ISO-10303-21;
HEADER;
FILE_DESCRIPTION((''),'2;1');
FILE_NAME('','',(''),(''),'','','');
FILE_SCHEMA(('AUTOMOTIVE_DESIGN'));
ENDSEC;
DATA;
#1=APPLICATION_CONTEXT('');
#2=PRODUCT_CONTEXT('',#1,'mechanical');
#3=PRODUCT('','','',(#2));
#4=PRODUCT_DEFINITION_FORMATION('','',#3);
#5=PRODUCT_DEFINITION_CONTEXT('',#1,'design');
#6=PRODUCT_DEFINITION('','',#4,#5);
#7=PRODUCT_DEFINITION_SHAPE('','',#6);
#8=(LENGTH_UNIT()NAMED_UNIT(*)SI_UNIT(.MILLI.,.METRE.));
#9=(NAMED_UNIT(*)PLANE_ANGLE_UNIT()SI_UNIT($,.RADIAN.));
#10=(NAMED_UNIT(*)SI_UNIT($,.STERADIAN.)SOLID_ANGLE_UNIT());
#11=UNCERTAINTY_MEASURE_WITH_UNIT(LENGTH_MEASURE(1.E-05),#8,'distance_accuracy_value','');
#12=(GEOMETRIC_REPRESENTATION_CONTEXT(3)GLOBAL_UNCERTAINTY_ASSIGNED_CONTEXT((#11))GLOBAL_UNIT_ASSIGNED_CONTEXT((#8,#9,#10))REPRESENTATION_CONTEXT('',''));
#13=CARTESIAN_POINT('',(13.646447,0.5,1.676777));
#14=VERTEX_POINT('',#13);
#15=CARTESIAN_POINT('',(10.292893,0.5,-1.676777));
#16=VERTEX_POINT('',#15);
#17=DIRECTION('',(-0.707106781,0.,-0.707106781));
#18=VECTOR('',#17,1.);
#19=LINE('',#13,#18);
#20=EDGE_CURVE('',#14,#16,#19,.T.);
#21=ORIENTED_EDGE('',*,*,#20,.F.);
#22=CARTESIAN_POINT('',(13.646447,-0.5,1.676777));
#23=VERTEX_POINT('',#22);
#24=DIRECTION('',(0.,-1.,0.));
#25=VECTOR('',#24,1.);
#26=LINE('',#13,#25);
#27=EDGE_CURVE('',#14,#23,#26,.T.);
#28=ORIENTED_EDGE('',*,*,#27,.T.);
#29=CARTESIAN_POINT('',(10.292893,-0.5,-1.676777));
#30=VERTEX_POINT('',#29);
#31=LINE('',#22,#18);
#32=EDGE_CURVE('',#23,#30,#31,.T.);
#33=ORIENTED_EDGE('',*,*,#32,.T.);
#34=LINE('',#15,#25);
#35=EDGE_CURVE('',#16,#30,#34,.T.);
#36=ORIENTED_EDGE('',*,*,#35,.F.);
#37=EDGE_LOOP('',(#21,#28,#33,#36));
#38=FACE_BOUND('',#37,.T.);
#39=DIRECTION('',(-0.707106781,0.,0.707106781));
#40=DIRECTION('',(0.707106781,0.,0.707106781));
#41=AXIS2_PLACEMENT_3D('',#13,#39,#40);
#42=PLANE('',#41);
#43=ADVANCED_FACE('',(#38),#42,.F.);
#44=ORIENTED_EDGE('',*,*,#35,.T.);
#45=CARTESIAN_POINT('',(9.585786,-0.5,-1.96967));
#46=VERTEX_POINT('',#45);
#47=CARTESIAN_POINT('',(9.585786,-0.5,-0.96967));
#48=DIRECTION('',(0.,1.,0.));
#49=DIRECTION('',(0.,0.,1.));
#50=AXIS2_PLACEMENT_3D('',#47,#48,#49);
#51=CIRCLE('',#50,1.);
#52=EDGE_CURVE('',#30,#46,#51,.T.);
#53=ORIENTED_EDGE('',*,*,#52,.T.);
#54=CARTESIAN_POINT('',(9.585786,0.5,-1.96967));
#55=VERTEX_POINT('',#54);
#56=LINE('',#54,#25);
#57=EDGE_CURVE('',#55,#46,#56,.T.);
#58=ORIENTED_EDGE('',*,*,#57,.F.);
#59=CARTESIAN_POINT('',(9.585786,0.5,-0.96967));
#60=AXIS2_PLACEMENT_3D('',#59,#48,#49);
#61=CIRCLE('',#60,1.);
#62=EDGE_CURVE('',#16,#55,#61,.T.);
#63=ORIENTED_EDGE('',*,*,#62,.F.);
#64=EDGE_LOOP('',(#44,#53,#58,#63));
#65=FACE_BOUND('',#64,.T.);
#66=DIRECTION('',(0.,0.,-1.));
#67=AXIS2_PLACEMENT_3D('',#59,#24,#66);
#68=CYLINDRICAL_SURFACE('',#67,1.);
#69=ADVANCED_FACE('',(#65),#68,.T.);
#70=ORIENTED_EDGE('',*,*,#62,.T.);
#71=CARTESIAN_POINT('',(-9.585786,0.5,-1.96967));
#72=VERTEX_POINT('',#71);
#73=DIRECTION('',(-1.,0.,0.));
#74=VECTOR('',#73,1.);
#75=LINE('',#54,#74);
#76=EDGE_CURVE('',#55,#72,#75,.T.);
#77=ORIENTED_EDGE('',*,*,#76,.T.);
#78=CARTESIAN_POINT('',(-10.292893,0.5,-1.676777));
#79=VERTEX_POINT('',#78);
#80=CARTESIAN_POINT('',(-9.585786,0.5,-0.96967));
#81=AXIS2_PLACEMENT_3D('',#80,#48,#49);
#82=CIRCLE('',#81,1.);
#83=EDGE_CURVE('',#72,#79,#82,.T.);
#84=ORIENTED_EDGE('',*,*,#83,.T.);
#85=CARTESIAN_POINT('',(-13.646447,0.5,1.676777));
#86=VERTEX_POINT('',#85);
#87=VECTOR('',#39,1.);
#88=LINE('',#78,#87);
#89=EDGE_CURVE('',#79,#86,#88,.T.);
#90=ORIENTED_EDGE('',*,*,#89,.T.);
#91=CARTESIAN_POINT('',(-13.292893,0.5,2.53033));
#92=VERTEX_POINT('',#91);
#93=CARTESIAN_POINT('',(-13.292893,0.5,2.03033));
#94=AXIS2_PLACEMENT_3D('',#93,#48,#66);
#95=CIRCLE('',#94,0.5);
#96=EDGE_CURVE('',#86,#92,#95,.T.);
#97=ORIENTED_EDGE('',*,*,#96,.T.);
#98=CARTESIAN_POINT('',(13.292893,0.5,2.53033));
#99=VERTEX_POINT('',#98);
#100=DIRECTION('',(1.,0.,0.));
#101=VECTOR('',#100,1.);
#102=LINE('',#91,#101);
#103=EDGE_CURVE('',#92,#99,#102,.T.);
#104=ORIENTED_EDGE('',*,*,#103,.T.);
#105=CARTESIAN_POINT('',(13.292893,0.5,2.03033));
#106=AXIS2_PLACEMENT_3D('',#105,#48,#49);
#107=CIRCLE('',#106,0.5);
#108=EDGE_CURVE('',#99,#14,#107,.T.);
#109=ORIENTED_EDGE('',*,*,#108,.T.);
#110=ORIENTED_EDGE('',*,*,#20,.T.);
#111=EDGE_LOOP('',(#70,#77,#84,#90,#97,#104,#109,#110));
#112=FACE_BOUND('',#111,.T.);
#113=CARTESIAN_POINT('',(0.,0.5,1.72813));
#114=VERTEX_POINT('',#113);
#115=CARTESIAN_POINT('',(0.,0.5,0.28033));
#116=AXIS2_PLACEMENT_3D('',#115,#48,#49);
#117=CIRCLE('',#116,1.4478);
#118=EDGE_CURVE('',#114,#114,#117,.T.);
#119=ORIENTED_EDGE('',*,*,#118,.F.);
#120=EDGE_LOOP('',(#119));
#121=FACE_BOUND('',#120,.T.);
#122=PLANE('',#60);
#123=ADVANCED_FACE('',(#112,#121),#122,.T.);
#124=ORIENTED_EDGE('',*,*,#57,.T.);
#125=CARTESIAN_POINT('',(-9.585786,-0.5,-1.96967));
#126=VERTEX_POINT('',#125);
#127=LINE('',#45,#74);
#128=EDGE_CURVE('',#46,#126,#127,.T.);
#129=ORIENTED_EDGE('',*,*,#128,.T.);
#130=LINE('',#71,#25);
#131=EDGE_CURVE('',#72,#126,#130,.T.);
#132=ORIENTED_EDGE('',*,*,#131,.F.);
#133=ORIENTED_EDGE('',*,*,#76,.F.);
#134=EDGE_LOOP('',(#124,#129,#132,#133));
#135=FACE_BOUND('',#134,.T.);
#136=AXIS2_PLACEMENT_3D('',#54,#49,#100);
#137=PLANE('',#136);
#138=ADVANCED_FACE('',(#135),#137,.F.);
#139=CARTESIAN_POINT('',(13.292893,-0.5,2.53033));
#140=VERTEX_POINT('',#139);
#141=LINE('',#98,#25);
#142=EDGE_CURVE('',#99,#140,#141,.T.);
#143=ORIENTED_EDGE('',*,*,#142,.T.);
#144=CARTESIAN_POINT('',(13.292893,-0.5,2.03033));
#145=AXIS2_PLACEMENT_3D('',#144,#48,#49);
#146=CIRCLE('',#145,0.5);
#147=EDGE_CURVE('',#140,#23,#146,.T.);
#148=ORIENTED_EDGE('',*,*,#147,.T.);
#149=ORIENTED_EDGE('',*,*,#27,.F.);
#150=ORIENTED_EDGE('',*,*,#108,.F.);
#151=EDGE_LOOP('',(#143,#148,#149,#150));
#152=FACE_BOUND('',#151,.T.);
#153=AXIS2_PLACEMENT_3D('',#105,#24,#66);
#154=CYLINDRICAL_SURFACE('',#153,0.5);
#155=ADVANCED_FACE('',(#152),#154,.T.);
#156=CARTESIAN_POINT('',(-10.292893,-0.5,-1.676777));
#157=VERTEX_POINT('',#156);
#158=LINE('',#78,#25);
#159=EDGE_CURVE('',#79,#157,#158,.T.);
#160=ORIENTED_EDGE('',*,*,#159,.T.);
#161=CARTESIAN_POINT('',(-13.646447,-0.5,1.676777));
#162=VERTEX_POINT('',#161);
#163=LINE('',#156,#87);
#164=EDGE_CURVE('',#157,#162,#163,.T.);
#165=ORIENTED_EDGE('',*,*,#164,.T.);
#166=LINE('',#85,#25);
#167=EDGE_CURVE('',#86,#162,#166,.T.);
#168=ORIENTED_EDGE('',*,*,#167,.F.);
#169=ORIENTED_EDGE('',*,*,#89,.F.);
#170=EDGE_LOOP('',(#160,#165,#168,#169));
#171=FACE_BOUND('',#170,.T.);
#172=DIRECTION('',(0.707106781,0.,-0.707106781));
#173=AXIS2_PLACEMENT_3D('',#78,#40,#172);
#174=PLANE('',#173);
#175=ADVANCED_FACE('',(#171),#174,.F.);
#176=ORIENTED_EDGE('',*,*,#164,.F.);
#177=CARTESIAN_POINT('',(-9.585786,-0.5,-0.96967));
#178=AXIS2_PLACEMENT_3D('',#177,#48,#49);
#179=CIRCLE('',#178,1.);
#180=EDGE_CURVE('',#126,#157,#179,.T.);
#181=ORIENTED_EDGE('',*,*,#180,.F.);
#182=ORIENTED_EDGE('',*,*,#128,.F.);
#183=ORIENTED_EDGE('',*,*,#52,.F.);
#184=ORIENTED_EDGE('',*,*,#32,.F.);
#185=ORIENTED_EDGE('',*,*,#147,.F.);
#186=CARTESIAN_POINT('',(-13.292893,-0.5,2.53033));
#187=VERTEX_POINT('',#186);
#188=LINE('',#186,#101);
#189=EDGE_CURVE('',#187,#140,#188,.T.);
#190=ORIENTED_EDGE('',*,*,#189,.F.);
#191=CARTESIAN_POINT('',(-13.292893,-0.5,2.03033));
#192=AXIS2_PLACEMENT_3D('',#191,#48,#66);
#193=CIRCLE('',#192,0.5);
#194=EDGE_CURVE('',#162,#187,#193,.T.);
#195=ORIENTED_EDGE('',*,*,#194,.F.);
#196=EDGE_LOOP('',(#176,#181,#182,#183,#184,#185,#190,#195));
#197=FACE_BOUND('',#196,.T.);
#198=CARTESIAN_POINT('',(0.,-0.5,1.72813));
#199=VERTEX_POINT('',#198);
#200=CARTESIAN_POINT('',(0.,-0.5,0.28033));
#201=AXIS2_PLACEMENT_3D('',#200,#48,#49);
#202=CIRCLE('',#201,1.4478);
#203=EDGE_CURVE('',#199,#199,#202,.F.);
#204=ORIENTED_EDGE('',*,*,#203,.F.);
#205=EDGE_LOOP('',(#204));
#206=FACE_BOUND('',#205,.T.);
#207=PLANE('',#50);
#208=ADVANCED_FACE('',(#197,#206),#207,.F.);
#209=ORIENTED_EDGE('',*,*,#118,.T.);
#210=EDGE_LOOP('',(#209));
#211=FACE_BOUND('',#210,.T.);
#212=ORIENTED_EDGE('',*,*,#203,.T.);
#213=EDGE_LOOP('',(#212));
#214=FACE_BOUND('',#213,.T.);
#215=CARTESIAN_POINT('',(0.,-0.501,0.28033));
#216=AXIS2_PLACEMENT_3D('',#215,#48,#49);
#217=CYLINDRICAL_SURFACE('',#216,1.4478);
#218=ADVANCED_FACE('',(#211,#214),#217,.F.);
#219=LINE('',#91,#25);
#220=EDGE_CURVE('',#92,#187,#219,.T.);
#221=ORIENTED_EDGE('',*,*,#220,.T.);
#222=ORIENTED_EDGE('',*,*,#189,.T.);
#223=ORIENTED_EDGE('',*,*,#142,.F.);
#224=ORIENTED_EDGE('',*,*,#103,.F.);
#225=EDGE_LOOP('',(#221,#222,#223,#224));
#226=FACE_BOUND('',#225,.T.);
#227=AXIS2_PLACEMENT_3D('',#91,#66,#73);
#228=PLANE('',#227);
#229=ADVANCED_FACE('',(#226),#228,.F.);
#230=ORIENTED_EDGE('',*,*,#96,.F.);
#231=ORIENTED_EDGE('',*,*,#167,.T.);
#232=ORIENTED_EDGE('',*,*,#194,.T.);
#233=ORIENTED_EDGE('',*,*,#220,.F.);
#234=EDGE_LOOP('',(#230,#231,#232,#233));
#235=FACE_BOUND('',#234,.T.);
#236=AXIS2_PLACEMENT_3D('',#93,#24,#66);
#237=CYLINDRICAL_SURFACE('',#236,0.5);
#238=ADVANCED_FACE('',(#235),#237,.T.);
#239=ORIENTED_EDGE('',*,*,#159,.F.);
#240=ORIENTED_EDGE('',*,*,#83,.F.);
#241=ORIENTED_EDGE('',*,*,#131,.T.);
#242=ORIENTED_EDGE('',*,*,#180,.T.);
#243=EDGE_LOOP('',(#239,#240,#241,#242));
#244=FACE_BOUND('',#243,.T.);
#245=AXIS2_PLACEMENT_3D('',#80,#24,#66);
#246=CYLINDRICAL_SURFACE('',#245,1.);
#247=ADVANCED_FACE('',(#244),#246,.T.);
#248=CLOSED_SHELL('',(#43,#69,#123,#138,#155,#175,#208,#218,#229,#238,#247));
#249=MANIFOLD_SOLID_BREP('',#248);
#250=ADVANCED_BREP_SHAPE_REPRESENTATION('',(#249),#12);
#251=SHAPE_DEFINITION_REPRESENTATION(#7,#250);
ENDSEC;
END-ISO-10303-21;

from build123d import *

# Parameters (mm, degrees)
BOSS_EXTRUDE1_DEPTH = 0.5
CUT_EXTRUDE1_REACH  = 3
SKETCH2_R           = 1.4478


with BuildPart() as part:
    # Sketch1 → Boss-Extrude1 (new body, symmetric)
    with BuildSketch(Plane(origin=(0, 0, 0), x_dir=(1, 0, 0), z_dir=(0, 1, 0))):
        with BuildLine():
            Line((-13.292893219, -2.530330086), (13.292893219, -2.530330086))
            ThreePointArc((13.292893219, -2.530330086), (13.754832985, -2.221671802), (13.646446609, -1.676776695))
            Line((13.646446609, -1.676776695), (10.292893219, 1.676776695))
            ThreePointArc((10.292893219, 1.676776695), (9.96846987, 1.893549447), (9.585786438, 1.969669914))
            Line((9.585786438, 1.969669914), (-9.585786438, 1.969669914))
            ThreePointArc((-9.585786438, 1.969669914), (-9.96846987, 1.893549447), (-10.292893219, 1.676776695))
            Line((-10.292893219, 1.676776695), (-13.646446609, -1.676776695))
            ThreePointArc((-13.646446609, -1.676776695), (-13.754832985, -2.221671802), (-13.292893219, -2.530330086))
        make_face()
    extrude(amount=BOSS_EXTRUDE1_DEPTH, both=True)

    # Sketch2 → Cut-Extrude1 (cut, up to next)
    with BuildSketch(Plane(origin=(0, 0.5, 0), x_dir=(1, 0, 0), z_dir=(0, 1, 0)), mode=Mode.PRIVATE) as cut_extrude1_sk1:
        with Locations((0, -0.280330086)):
            Circle(SKETCH2_R)
    cut_extrude1_tool1 = extrude(cut_extrude1_sk1.sketch, amount=-CUT_EXTRUDE1_REACH, mode=Mode.PRIVATE) & part.part
    add(cut_extrude1_tool1.solids().sort_by_distance((0, 0.5, 0.28033))[0], mode=Mode.SUBTRACT)


solid = part.part
